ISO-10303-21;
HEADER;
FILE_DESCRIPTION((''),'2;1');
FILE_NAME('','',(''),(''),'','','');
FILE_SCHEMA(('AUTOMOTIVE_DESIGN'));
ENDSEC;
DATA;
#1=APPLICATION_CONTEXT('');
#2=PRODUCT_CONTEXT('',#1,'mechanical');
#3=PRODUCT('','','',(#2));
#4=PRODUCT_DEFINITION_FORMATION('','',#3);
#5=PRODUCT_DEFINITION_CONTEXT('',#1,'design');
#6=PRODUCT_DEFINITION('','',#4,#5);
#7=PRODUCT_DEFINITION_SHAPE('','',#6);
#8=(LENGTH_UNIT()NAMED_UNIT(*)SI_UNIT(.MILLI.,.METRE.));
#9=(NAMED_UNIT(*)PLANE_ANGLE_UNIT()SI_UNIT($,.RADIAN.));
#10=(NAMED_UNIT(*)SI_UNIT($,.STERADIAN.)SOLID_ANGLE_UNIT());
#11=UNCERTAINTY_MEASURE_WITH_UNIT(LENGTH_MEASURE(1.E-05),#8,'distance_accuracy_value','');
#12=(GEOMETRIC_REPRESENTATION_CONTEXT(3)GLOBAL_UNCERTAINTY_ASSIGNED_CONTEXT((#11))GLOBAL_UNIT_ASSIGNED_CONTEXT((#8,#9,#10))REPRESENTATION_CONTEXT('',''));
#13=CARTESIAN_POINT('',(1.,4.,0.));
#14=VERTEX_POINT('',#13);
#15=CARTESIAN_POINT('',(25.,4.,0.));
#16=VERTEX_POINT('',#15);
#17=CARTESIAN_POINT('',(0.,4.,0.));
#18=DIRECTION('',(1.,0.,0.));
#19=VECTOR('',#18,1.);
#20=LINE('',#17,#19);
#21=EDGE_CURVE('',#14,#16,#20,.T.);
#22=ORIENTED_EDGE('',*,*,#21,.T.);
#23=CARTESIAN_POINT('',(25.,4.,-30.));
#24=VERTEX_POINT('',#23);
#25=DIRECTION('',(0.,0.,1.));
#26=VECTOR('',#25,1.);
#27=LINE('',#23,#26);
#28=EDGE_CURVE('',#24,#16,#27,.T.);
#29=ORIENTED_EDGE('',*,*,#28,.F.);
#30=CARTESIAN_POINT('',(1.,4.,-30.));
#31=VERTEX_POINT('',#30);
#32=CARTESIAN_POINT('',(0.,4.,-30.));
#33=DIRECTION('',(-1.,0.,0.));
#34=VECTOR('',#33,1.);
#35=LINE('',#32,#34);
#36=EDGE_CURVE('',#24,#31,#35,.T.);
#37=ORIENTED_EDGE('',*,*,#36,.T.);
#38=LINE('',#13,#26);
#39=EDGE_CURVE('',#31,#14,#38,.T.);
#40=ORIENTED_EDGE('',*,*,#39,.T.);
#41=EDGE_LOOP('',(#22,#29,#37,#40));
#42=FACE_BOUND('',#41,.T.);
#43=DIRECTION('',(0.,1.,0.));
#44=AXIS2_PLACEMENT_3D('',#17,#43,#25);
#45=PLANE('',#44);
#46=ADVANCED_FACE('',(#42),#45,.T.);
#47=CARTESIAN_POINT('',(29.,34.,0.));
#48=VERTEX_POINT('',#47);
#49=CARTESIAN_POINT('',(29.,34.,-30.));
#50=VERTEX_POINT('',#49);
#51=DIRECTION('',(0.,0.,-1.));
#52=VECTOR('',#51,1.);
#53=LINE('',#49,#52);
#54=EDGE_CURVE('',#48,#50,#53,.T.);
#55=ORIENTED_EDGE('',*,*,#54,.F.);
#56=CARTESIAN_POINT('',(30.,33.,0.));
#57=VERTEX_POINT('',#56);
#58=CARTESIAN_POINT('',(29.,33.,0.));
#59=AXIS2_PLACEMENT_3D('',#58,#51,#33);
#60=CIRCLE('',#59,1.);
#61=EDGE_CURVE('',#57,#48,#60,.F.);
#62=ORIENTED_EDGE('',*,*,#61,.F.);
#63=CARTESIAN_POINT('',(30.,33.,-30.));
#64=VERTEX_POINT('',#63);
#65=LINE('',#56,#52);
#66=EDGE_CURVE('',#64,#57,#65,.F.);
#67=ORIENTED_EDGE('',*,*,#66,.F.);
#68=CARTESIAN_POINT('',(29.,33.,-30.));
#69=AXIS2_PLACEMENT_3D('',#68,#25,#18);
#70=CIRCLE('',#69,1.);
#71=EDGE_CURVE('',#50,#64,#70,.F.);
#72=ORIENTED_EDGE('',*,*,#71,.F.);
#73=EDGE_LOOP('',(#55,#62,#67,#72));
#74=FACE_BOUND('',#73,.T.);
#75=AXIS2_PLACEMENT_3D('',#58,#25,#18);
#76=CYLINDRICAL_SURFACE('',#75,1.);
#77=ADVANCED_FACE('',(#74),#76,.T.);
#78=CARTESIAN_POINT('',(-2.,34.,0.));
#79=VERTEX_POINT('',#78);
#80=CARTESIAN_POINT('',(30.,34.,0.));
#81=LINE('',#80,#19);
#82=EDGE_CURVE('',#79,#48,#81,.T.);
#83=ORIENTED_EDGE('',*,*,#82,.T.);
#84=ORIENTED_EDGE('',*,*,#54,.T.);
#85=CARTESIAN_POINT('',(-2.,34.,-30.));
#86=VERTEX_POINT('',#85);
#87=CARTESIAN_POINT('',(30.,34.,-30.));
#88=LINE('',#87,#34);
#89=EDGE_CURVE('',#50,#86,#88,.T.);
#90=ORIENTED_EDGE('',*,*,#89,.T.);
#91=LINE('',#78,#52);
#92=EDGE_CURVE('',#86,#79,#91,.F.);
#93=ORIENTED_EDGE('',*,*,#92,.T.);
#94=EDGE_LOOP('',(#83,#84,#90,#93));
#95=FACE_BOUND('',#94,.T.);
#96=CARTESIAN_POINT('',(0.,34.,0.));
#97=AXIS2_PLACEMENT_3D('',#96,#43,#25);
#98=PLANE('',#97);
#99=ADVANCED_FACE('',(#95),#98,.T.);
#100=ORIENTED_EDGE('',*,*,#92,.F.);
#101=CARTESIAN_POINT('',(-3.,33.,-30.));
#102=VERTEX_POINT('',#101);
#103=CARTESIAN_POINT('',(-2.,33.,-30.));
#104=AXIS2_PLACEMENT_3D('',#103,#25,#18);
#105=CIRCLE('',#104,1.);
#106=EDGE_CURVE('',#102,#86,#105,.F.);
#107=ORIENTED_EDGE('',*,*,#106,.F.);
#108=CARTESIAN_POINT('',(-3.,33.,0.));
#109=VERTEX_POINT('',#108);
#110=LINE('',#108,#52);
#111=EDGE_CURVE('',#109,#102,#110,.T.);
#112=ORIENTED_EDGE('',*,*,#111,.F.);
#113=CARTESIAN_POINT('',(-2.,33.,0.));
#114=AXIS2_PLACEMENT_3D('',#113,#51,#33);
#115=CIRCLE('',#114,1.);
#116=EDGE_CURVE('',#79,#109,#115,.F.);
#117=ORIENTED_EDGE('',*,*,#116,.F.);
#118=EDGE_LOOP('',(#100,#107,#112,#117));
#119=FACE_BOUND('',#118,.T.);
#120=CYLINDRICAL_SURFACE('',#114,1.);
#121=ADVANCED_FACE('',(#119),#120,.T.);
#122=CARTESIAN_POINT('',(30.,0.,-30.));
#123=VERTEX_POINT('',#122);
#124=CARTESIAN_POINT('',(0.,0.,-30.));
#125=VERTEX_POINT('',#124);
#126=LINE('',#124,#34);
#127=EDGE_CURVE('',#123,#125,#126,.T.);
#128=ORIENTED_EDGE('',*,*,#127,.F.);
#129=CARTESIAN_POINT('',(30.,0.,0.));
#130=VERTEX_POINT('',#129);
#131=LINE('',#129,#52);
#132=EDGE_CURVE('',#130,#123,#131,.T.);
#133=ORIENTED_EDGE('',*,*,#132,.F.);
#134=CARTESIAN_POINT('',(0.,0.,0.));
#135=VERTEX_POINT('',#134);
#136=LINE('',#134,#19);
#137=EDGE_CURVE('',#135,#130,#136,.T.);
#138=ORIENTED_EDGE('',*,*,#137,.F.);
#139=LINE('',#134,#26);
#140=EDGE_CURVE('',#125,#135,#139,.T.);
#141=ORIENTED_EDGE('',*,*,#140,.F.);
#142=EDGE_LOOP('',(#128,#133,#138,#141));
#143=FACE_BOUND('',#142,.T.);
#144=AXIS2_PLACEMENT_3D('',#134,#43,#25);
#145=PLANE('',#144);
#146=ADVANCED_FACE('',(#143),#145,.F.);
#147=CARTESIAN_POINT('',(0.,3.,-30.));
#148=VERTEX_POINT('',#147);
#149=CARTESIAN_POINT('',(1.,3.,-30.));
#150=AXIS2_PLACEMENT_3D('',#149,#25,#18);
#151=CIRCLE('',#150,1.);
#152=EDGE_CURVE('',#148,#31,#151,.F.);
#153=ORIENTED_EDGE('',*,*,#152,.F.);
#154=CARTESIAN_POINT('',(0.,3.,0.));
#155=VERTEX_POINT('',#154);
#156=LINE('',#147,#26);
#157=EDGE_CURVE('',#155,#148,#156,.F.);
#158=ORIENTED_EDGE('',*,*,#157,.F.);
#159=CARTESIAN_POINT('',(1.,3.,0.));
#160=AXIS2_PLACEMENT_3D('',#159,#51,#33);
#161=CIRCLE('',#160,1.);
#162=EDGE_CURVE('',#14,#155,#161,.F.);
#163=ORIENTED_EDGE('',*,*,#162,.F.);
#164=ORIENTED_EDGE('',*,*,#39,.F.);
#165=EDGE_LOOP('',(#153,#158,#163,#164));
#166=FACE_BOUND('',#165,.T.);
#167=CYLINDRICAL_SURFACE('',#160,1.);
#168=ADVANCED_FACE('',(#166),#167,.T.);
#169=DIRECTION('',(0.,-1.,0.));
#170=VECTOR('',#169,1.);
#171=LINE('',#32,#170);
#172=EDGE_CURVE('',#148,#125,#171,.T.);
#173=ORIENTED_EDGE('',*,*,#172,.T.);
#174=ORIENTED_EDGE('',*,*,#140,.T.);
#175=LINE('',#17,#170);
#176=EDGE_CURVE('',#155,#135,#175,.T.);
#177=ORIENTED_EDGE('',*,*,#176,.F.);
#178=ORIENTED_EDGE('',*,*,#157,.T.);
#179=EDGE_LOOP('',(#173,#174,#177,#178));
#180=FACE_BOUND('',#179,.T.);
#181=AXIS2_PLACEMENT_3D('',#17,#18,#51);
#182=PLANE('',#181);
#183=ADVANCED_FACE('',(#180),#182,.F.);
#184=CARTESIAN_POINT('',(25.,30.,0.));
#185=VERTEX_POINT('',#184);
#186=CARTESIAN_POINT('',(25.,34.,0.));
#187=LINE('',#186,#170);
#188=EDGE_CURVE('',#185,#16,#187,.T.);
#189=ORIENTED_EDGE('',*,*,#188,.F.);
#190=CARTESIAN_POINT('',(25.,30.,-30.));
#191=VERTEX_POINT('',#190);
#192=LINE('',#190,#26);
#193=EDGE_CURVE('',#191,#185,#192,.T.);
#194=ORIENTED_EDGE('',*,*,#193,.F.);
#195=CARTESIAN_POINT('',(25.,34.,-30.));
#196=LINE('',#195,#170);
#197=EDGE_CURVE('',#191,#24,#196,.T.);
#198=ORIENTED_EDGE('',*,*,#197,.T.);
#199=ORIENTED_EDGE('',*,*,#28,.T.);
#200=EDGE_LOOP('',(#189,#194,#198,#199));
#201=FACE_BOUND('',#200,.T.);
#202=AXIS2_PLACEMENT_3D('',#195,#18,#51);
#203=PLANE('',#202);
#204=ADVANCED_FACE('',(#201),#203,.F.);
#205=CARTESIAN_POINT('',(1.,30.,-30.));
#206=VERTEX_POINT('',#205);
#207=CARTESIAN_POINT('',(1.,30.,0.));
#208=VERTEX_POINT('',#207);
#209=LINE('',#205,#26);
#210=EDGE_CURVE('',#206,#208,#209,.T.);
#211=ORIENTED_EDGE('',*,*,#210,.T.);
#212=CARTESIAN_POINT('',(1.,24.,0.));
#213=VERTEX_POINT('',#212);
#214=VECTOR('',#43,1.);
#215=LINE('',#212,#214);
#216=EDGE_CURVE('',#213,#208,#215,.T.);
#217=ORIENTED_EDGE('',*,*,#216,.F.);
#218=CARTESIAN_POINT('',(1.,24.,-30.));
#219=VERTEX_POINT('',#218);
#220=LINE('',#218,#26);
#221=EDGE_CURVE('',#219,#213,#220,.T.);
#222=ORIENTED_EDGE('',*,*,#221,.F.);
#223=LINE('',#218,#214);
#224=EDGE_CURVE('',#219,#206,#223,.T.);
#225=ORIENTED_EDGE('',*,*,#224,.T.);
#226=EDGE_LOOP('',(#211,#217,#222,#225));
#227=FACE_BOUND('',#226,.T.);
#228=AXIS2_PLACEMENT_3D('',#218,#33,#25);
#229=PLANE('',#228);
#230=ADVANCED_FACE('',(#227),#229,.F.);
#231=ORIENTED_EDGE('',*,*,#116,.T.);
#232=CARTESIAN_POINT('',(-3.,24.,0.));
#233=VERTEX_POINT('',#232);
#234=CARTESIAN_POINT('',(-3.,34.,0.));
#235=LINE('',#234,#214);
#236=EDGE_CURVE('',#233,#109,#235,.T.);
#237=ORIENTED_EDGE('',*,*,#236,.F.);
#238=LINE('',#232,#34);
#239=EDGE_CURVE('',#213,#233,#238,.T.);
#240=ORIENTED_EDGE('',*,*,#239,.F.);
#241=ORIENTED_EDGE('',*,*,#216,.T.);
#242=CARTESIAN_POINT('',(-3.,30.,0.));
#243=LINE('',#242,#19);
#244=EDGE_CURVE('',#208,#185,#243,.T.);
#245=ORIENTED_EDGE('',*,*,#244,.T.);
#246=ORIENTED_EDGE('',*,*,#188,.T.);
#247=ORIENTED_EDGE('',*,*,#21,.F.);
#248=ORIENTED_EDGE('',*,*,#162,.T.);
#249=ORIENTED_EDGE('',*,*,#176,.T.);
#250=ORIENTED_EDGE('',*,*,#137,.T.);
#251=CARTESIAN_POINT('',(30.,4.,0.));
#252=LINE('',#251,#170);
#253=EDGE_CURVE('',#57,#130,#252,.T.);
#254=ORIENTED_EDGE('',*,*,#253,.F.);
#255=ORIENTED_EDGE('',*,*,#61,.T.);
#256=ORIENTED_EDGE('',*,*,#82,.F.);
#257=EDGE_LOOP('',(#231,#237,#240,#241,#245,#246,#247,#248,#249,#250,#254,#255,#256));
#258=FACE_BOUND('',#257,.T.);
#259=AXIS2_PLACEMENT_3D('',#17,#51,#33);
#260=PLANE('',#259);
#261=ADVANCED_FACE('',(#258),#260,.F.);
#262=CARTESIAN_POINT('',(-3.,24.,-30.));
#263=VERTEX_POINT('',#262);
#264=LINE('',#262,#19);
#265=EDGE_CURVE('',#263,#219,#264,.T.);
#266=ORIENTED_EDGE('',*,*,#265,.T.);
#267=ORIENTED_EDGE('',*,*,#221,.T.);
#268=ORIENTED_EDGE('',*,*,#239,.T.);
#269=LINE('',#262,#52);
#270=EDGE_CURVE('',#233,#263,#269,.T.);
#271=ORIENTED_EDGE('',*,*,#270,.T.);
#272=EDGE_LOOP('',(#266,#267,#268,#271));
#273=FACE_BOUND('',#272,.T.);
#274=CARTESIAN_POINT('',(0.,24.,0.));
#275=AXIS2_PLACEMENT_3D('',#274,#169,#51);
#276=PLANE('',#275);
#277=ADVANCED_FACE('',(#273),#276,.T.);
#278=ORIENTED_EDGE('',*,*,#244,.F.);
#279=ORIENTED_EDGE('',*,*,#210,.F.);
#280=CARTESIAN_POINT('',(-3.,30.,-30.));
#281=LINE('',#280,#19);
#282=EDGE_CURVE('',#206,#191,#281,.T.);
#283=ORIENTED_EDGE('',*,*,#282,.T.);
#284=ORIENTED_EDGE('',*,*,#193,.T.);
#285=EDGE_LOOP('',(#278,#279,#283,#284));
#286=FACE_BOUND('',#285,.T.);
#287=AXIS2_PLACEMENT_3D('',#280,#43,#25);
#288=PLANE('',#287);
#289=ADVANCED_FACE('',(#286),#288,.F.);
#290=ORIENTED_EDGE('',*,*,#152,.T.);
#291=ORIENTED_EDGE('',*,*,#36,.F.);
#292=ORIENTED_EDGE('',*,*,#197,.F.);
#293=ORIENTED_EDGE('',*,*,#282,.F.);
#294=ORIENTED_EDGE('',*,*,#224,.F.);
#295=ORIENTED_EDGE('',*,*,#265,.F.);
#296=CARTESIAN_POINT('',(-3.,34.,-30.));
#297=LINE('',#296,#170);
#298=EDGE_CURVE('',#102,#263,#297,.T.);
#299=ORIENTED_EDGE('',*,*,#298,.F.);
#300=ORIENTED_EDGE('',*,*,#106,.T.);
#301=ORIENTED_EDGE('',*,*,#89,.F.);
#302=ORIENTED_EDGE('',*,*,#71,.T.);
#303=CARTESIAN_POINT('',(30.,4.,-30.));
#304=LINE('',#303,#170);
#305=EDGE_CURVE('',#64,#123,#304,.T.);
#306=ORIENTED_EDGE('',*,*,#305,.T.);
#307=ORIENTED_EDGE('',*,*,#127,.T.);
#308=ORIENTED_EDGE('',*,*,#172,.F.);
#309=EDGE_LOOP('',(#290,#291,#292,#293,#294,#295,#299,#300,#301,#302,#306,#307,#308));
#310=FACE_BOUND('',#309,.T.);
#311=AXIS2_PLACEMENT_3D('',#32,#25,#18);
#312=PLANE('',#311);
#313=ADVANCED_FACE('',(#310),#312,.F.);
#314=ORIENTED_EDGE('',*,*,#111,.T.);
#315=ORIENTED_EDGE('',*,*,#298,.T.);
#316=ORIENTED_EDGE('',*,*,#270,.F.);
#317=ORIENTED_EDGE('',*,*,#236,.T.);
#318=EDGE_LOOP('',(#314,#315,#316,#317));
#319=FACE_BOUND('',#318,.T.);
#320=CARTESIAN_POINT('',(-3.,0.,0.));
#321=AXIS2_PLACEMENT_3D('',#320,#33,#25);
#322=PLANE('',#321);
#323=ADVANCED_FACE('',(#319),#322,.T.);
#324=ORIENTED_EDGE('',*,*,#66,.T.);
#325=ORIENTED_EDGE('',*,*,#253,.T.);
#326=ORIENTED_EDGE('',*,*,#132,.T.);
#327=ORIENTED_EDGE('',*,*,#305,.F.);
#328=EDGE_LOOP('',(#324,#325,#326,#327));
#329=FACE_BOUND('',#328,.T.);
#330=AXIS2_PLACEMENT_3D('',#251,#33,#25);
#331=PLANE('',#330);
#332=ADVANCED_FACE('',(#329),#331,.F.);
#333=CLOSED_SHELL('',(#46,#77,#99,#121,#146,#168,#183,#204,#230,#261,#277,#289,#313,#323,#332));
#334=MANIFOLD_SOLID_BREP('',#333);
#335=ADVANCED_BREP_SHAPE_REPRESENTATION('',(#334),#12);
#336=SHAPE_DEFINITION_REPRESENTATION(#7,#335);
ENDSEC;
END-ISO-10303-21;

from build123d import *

# Parameters (mm, degrees)
SKETCH1_W           = 30
SKETCH1_H           = 30
BOSS_EXTRUDE1_DEPTH = 4
SKETCH2_W           = 5
SKETCH2_H           = 30
BOSS_EXTRUDE2_DEPTH = 30
SKETCH3_W           = 30
SKETCH3_H           = 4
BOSS_EXTRUDE3_DEPTH = 28
SKETCH4_W           = 4
SKETCH4_H           = 30
BOSS_EXTRUDE4_DEPTH = 6
FILLET1_R           = 1


with BuildPart() as part:
    # Sketch1 → Boss-Extrude1 (new body)
    with BuildSketch(Plane(origin=(0, 0, 0), x_dir=(1, 0, 0), z_dir=(0, 1, 0))):
        with Locations((15, 15)):
            Rectangle(SKETCH1_W, SKETCH1_H)
    extrude(amount=BOSS_EXTRUDE1_DEPTH)

    # Sketch2 → Boss-Extrude2 (add)
    with BuildSketch(Plane(origin=(0, 4, 0), x_dir=(1, 0, 0), z_dir=(0, 1, 0))):
        with Locations((27.5, 15)):
            Rectangle(SKETCH2_W, SKETCH2_H)
    extrude(amount=BOSS_EXTRUDE2_DEPTH)

    # Sketch3 → Boss-Extrude3 (add)
    with BuildSketch(Plane.ZY.offset(-25)):
        with Locations((-15, 32)):
            Rectangle(SKETCH3_W, SKETCH3_H)
    extrude(amount=BOSS_EXTRUDE3_DEPTH)

    # Sketch4 → Boss-Extrude4 (add)
    with BuildSketch(Plane.XZ.offset(-30)):
        with Locations((-1, -15)):
            Rectangle(SKETCH4_W, SKETCH4_H)
    extrude(amount=BOSS_EXTRUDE4_DEPTH)

    # Fillet1
    fillet1_edges = [part.edges().sort_by_distance(p)[0] for p in [
        (0, 4, -15),
        (30, 34, -15),
        (-3, 34, -15),
    ]]
    fillet(fillet1_edges, radius=FILLET1_R)


solid = part.part
